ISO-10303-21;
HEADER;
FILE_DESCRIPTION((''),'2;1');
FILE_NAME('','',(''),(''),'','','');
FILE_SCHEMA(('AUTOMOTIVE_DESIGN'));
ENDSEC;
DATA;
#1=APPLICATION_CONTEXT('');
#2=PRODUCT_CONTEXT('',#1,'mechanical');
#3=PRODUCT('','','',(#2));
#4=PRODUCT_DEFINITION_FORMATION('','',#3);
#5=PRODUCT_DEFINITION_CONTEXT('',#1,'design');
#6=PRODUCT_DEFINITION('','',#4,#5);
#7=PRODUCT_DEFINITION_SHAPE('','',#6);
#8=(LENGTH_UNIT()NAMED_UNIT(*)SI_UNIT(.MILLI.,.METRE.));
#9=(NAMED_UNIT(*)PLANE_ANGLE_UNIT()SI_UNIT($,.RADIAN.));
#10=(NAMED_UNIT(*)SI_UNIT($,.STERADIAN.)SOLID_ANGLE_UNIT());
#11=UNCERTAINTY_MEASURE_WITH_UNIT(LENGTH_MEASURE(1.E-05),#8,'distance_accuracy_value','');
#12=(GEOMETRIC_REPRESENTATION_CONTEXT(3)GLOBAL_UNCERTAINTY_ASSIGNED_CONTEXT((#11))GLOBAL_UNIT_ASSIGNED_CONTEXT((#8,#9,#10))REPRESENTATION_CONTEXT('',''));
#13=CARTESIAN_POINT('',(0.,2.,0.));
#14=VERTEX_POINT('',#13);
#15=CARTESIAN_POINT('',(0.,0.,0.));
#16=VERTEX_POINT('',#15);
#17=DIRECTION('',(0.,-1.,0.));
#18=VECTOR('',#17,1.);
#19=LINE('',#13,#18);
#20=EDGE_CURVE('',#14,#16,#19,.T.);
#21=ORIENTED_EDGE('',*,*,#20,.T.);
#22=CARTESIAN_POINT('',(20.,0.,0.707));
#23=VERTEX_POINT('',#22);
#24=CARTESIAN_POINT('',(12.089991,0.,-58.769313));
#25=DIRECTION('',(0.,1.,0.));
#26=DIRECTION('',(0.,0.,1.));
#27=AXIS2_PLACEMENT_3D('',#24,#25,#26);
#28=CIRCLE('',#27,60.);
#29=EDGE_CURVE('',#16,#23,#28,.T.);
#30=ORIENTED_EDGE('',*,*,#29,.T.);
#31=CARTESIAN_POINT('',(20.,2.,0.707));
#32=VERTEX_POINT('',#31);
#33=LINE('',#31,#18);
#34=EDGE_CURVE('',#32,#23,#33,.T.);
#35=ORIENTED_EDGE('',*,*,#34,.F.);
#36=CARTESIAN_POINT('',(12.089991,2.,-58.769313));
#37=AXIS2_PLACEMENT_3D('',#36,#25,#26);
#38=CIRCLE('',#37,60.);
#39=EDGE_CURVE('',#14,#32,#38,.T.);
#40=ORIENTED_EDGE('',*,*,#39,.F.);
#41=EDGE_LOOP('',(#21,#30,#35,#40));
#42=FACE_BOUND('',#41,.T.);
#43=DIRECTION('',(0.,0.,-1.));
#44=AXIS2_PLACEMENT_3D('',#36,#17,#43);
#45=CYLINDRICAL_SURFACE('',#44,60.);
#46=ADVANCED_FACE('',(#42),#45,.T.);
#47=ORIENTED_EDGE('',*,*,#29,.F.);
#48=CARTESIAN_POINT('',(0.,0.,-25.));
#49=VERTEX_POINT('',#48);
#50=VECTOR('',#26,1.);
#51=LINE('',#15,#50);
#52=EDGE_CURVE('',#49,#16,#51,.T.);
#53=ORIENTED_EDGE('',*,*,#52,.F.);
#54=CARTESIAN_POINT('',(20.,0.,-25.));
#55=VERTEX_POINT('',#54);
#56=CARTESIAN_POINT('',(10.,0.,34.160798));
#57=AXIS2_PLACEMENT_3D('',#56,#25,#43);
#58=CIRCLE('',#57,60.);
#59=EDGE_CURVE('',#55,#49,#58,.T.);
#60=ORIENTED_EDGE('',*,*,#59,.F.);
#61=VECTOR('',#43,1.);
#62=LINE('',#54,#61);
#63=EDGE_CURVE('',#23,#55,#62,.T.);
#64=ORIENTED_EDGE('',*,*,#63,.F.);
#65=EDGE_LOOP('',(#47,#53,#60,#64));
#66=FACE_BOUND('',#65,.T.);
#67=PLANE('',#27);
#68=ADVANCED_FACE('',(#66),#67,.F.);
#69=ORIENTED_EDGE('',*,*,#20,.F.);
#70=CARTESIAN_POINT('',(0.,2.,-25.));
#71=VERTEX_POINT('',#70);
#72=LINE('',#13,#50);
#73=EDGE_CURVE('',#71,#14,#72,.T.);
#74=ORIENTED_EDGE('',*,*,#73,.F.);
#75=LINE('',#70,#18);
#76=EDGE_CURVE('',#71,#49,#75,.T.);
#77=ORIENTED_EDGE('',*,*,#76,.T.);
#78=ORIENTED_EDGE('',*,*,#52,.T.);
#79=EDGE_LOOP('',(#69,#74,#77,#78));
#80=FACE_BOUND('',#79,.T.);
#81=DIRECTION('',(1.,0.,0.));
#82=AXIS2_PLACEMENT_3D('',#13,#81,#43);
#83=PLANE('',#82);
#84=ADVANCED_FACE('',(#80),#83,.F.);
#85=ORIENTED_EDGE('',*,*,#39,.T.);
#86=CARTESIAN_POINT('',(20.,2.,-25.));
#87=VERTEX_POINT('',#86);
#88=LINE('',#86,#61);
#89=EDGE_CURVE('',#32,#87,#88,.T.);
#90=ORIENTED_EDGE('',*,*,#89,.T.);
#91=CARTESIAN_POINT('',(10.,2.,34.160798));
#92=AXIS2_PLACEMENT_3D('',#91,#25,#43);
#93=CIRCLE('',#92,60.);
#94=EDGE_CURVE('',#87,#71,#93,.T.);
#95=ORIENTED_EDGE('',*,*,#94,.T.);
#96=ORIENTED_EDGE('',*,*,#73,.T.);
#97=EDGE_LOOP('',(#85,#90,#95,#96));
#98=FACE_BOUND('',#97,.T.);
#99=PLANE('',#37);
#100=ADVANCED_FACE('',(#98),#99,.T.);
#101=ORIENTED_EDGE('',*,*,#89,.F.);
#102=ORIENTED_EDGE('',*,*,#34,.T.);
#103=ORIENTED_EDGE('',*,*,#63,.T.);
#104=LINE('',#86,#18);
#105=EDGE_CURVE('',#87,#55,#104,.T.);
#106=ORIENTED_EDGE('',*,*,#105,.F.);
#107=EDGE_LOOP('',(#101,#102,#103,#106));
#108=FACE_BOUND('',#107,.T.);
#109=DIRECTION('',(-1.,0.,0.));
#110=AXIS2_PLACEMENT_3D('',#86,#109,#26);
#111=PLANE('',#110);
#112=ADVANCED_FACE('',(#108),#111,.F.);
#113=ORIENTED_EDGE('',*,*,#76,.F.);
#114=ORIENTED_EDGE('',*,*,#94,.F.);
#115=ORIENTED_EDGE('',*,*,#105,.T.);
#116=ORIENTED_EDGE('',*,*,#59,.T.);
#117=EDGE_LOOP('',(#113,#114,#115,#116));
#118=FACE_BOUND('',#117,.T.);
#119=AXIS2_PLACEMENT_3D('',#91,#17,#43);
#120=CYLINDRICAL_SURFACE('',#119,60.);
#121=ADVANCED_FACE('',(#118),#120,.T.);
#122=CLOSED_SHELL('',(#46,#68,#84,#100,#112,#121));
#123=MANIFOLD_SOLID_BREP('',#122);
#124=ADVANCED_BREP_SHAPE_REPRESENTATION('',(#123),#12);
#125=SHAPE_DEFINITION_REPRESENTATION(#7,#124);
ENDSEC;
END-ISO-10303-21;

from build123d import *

# Parameters (mm, degrees)
EXTRUDE_1_DEPTH = 2


with BuildPart() as part:
    # Эскиз1 → Бобышка-Вытянуть1 (new body)
    with BuildSketch(Plane(origin=(0, 0, 0), x_dir=(1, 0, 0), z_dir=(0, 1, 0))):
        with BuildLine():
            Line((0, 0), (0, 25))
            ThreePointArc((0, 25), (10, 25.839202169), (20, 25))
            Line((20, 25), (20, -0.706999977))
            ThreePointArc((20, -0.706999977), (9.970315411, -1.19323378), (0, 0))
        make_face()
    extrude(amount=EXTRUDE_1_DEPTH)


solid = part.part
